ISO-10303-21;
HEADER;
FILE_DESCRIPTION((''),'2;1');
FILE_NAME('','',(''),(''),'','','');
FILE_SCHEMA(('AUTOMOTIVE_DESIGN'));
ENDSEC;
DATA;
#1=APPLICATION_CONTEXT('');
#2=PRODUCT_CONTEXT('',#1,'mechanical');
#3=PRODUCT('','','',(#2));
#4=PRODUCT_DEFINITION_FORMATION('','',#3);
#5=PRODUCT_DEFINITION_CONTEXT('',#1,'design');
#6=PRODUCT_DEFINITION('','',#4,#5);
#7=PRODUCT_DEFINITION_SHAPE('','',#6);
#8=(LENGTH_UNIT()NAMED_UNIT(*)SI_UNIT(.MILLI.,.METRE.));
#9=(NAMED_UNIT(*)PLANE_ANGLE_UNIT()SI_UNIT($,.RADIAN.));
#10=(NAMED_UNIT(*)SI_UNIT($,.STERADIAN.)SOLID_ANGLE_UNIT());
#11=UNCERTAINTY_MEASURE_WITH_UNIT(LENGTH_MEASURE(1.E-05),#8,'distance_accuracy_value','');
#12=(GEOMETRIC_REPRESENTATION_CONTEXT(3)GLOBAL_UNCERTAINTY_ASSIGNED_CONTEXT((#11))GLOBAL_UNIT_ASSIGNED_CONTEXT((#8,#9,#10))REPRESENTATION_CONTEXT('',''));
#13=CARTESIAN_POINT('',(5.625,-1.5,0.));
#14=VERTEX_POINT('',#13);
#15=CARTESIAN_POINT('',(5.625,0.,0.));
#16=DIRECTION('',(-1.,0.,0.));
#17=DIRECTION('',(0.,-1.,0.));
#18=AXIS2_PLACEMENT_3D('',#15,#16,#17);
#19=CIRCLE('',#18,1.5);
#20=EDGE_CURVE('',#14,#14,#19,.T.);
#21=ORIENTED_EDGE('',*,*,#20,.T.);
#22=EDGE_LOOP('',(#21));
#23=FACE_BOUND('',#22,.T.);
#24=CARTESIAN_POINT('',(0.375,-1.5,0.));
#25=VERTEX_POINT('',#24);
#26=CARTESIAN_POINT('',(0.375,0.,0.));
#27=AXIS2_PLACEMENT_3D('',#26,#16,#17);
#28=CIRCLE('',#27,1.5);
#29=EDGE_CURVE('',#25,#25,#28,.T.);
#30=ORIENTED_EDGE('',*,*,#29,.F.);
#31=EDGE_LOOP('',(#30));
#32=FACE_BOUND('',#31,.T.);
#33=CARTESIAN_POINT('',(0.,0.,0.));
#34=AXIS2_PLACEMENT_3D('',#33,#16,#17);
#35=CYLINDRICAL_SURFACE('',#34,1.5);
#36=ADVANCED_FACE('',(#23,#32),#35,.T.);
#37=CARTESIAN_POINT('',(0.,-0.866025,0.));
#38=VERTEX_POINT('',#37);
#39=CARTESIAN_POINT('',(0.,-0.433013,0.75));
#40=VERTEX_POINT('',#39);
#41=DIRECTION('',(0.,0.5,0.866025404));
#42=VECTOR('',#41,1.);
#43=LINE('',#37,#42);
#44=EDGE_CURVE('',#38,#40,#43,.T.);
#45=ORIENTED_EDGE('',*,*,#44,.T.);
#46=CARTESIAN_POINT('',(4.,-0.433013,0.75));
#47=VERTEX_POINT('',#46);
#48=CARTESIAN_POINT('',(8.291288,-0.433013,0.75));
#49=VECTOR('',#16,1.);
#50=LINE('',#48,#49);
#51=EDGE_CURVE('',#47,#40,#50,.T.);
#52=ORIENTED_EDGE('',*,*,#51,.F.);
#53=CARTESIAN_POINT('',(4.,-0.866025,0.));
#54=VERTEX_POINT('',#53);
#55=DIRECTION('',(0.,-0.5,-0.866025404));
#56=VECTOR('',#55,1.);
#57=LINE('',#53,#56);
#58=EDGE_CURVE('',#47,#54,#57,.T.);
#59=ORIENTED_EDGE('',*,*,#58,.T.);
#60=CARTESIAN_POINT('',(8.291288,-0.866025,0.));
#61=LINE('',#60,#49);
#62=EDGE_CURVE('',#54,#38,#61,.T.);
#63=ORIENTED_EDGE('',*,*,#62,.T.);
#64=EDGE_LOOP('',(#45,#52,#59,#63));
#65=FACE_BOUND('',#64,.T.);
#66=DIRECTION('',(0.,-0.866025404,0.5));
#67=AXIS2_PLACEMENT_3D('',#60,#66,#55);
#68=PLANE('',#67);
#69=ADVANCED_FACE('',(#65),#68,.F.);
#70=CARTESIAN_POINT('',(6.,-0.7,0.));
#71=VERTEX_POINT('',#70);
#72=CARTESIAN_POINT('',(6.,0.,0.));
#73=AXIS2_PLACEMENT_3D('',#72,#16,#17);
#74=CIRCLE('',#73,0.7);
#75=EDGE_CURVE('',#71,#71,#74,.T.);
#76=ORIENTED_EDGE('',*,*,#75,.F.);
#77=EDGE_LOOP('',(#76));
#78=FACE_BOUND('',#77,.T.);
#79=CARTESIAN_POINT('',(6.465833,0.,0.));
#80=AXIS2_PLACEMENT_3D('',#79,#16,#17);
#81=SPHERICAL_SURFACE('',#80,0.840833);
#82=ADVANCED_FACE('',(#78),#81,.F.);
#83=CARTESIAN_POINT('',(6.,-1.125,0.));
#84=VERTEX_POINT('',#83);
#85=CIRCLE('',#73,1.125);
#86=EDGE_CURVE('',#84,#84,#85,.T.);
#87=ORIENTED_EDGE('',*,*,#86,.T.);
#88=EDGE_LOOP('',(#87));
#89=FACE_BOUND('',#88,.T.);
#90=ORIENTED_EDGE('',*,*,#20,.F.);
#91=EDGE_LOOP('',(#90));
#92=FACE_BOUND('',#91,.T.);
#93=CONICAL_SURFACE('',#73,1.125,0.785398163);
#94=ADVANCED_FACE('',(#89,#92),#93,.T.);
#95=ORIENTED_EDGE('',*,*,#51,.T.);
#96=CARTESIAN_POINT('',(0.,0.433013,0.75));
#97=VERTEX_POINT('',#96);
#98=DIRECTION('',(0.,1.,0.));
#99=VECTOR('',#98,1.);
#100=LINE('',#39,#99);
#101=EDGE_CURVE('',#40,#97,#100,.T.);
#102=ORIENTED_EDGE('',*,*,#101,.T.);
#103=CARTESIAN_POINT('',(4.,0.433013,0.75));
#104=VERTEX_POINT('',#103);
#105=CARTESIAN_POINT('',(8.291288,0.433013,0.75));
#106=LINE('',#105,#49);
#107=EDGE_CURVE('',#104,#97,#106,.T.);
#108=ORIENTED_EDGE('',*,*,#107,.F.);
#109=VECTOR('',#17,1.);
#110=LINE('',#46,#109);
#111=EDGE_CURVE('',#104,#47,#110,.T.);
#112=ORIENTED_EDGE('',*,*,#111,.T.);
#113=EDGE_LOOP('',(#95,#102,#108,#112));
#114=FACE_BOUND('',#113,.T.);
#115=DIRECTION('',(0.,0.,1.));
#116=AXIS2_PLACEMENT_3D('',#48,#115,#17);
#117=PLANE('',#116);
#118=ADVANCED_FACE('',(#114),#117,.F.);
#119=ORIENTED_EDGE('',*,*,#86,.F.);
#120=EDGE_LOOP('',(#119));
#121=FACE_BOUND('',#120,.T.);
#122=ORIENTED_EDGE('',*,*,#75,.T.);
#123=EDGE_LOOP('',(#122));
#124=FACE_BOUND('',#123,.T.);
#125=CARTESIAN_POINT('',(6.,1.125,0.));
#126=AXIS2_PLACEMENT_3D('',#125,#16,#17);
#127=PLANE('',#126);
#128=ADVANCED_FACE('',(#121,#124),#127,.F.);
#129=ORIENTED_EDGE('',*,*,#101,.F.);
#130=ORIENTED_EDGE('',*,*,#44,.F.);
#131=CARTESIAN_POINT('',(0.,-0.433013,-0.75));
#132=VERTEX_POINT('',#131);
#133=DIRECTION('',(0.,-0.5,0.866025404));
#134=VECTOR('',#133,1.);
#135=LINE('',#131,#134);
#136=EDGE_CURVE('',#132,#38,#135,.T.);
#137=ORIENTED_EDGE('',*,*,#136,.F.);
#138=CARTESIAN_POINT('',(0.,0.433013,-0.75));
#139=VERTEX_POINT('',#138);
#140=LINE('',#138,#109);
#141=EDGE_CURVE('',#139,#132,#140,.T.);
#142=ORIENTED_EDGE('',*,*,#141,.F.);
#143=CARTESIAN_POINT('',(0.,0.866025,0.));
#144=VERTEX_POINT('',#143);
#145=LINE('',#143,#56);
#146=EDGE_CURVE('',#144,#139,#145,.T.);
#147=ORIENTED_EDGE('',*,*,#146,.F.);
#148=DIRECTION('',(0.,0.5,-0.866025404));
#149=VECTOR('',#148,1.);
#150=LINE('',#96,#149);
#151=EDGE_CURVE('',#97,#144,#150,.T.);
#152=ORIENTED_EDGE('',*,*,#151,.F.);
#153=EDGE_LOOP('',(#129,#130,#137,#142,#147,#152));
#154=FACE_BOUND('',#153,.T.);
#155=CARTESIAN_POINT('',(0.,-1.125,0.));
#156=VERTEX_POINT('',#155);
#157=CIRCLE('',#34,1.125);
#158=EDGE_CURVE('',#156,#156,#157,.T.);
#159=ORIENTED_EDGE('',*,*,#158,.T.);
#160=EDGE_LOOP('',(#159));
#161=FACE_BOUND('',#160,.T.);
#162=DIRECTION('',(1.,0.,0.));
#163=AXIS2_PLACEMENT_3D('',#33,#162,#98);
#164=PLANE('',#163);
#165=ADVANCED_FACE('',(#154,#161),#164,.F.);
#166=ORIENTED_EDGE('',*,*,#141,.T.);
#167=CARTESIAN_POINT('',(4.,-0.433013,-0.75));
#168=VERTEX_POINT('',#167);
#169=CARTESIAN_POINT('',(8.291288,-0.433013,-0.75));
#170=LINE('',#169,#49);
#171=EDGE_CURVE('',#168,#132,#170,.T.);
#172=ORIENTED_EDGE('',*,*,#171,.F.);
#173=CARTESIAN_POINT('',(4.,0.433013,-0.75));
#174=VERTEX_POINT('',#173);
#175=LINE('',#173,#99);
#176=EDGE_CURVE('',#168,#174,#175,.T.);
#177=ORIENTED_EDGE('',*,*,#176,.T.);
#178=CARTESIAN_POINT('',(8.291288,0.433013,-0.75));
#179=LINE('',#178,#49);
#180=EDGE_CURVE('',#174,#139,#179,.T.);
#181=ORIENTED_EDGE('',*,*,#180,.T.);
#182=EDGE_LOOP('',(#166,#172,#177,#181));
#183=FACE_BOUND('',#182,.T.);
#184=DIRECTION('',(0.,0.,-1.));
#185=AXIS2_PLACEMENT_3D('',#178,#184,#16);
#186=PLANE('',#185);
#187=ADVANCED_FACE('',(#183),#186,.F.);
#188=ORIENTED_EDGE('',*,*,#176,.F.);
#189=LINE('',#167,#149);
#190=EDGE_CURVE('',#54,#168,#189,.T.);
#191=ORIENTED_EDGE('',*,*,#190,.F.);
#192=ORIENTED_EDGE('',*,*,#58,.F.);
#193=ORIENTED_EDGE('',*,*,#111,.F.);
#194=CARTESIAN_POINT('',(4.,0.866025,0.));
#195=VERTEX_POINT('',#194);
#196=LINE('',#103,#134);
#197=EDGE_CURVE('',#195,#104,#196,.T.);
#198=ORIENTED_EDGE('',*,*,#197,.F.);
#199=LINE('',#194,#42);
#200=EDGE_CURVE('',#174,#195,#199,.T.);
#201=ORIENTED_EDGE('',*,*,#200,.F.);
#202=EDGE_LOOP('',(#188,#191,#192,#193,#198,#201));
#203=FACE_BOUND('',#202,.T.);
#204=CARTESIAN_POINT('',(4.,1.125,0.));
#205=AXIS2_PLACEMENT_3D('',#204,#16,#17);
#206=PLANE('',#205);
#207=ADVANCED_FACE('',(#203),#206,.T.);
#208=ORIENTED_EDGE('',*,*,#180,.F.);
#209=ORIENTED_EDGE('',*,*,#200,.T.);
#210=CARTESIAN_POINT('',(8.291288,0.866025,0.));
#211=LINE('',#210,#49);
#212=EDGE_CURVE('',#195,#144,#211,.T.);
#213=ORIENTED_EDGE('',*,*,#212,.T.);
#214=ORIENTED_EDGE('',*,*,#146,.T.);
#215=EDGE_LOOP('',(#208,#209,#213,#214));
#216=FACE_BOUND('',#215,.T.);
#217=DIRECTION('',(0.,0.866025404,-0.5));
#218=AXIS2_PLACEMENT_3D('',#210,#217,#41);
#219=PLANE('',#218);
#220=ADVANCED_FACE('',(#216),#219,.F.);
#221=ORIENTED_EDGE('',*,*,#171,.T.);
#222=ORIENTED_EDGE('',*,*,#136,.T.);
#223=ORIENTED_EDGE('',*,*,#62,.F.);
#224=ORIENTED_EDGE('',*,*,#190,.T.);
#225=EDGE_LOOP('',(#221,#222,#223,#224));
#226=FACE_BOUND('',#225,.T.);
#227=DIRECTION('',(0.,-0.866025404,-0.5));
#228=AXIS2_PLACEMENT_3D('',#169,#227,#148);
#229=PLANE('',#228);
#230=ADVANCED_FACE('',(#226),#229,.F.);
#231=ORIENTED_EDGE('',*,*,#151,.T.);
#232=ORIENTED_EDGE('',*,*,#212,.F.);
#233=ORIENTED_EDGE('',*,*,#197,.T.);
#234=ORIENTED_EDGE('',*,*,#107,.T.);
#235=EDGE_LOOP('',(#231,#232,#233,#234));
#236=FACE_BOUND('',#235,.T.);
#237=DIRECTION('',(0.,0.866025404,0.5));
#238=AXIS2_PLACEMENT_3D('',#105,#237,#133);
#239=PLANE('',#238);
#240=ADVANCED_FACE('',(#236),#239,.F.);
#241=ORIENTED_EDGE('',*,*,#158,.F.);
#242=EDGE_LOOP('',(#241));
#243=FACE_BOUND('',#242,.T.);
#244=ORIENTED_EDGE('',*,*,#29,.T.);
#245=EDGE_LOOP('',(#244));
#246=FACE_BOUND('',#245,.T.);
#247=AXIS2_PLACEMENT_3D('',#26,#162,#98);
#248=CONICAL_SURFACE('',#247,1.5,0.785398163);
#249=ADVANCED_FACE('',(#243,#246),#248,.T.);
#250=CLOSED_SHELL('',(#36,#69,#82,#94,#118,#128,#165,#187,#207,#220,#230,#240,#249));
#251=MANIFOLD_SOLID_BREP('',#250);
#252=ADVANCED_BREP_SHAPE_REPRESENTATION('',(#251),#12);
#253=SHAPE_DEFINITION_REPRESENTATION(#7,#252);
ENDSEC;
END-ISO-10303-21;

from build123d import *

# Parameters (mm, degrees)
CUT_EXTRUDE1_DEPTH = 4


with BuildPart() as part:
    # Sketch1 → Revolve1 (revolve)
    with BuildSketch(Plane.XY, mode=Mode.PRIVATE) as revolve1_sk:
        with BuildLine():
            Line((0, 0), (0, 1.125))
            Line((0, 1.125), (0.375, 1.5))
            Line((0.375, 1.5), (5.625, 1.5))
            Line((5.625, 1.5), (6, 1.125))
            Line((6, 1.125), (6, 0.7))
            ThreePointArc((6, 0.7), (5.724655592, 0.397059504), (5.625, 0))
            Line((5.625, 0), (0, 0))
        make_face()
    revolve(revolve1_sk.sketch.rotate(Axis((0, 0, 0), (1, 0, 0)), 180), axis=Axis((0, 0, 0), (1, 0, 0)))

    # Sketch2 → Cut-Extrude1 (cut)
    with BuildSketch(Plane.ZY):
        Polygon((0, 0.866025404), (-0.75, 0.433012702), (-0.75, -0.433012702), (0, -0.866025404), (0.75, -0.433012702), (0.75, 0.433012702), align=None)
    extrude(amount=-CUT_EXTRUDE1_DEPTH, mode=Mode.SUBTRACT)


solid = part.part
